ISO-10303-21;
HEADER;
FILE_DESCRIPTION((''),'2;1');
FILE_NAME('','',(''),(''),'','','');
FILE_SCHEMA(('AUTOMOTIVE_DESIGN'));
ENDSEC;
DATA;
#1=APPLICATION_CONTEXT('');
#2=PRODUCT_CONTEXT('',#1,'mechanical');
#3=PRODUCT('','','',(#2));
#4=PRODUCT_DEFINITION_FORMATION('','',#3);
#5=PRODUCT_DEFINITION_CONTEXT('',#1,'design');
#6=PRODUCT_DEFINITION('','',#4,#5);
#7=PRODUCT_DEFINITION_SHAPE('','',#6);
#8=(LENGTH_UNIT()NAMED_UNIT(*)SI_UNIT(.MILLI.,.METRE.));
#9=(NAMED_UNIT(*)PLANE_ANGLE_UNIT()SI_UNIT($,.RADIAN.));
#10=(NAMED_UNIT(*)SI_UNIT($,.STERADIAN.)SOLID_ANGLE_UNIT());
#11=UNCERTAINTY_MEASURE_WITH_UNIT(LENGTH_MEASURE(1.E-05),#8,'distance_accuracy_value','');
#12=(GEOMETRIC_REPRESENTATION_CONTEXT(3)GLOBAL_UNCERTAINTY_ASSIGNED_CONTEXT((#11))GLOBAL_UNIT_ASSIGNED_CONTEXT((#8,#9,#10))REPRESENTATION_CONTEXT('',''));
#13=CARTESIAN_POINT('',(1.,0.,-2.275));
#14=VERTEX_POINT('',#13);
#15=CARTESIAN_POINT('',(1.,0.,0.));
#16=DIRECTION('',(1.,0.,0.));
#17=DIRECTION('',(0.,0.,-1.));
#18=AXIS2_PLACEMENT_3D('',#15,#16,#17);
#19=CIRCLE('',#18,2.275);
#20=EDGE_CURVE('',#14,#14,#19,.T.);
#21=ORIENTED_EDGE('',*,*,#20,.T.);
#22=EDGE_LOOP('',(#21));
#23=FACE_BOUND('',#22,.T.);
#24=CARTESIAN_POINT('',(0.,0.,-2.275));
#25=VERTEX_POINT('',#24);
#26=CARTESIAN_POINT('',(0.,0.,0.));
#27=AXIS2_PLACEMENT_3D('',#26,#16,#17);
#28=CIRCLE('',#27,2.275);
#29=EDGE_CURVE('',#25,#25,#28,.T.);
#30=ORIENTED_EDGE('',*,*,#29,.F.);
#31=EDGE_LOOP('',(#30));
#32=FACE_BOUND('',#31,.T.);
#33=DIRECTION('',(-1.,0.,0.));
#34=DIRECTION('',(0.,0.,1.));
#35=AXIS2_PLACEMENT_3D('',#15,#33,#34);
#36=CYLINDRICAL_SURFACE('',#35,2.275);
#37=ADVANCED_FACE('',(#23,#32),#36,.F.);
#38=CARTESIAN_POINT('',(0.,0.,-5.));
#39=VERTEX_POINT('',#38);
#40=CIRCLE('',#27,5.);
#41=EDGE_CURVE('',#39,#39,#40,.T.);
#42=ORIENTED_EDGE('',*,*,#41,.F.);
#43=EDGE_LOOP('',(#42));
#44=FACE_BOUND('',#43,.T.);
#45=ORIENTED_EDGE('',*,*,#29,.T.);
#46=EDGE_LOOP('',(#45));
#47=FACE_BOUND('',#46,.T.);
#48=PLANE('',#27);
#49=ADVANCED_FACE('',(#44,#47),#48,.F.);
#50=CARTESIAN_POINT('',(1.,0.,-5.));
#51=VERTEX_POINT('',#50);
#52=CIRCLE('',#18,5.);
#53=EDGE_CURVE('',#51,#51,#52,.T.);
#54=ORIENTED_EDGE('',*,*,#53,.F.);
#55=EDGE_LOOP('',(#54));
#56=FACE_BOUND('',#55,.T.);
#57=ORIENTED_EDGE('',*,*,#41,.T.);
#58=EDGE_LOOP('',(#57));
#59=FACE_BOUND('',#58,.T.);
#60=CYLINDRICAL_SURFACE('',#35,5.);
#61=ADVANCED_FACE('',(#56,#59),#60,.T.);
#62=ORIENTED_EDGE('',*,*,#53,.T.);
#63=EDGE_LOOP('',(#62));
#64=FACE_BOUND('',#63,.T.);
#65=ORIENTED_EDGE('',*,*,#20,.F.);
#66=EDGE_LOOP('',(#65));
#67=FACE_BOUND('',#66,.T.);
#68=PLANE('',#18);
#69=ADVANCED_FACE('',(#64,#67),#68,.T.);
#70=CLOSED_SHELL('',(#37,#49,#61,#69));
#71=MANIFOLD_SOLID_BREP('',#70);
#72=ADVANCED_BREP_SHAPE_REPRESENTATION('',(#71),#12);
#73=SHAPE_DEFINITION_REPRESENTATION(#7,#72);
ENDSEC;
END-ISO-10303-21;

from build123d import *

# Parameters (mm, degrees)
SKETCH1_R          = 5
SKETCH1_R_2        = 2.275
BASE_EXTRUDE_DEPTH = 1


with BuildPart() as part:
    # Sketch1 → Base-Extrude (new body)
    with BuildSketch(Plane(origin=(0, 0, 0), x_dir=(0, 0, -1), z_dir=(1, 0, 0))):
        Circle(SKETCH1_R)
        Circle(SKETCH1_R_2, mode=Mode.SUBTRACT)
    extrude(amount=BASE_EXTRUDE_DEPTH)


solid = part.part
